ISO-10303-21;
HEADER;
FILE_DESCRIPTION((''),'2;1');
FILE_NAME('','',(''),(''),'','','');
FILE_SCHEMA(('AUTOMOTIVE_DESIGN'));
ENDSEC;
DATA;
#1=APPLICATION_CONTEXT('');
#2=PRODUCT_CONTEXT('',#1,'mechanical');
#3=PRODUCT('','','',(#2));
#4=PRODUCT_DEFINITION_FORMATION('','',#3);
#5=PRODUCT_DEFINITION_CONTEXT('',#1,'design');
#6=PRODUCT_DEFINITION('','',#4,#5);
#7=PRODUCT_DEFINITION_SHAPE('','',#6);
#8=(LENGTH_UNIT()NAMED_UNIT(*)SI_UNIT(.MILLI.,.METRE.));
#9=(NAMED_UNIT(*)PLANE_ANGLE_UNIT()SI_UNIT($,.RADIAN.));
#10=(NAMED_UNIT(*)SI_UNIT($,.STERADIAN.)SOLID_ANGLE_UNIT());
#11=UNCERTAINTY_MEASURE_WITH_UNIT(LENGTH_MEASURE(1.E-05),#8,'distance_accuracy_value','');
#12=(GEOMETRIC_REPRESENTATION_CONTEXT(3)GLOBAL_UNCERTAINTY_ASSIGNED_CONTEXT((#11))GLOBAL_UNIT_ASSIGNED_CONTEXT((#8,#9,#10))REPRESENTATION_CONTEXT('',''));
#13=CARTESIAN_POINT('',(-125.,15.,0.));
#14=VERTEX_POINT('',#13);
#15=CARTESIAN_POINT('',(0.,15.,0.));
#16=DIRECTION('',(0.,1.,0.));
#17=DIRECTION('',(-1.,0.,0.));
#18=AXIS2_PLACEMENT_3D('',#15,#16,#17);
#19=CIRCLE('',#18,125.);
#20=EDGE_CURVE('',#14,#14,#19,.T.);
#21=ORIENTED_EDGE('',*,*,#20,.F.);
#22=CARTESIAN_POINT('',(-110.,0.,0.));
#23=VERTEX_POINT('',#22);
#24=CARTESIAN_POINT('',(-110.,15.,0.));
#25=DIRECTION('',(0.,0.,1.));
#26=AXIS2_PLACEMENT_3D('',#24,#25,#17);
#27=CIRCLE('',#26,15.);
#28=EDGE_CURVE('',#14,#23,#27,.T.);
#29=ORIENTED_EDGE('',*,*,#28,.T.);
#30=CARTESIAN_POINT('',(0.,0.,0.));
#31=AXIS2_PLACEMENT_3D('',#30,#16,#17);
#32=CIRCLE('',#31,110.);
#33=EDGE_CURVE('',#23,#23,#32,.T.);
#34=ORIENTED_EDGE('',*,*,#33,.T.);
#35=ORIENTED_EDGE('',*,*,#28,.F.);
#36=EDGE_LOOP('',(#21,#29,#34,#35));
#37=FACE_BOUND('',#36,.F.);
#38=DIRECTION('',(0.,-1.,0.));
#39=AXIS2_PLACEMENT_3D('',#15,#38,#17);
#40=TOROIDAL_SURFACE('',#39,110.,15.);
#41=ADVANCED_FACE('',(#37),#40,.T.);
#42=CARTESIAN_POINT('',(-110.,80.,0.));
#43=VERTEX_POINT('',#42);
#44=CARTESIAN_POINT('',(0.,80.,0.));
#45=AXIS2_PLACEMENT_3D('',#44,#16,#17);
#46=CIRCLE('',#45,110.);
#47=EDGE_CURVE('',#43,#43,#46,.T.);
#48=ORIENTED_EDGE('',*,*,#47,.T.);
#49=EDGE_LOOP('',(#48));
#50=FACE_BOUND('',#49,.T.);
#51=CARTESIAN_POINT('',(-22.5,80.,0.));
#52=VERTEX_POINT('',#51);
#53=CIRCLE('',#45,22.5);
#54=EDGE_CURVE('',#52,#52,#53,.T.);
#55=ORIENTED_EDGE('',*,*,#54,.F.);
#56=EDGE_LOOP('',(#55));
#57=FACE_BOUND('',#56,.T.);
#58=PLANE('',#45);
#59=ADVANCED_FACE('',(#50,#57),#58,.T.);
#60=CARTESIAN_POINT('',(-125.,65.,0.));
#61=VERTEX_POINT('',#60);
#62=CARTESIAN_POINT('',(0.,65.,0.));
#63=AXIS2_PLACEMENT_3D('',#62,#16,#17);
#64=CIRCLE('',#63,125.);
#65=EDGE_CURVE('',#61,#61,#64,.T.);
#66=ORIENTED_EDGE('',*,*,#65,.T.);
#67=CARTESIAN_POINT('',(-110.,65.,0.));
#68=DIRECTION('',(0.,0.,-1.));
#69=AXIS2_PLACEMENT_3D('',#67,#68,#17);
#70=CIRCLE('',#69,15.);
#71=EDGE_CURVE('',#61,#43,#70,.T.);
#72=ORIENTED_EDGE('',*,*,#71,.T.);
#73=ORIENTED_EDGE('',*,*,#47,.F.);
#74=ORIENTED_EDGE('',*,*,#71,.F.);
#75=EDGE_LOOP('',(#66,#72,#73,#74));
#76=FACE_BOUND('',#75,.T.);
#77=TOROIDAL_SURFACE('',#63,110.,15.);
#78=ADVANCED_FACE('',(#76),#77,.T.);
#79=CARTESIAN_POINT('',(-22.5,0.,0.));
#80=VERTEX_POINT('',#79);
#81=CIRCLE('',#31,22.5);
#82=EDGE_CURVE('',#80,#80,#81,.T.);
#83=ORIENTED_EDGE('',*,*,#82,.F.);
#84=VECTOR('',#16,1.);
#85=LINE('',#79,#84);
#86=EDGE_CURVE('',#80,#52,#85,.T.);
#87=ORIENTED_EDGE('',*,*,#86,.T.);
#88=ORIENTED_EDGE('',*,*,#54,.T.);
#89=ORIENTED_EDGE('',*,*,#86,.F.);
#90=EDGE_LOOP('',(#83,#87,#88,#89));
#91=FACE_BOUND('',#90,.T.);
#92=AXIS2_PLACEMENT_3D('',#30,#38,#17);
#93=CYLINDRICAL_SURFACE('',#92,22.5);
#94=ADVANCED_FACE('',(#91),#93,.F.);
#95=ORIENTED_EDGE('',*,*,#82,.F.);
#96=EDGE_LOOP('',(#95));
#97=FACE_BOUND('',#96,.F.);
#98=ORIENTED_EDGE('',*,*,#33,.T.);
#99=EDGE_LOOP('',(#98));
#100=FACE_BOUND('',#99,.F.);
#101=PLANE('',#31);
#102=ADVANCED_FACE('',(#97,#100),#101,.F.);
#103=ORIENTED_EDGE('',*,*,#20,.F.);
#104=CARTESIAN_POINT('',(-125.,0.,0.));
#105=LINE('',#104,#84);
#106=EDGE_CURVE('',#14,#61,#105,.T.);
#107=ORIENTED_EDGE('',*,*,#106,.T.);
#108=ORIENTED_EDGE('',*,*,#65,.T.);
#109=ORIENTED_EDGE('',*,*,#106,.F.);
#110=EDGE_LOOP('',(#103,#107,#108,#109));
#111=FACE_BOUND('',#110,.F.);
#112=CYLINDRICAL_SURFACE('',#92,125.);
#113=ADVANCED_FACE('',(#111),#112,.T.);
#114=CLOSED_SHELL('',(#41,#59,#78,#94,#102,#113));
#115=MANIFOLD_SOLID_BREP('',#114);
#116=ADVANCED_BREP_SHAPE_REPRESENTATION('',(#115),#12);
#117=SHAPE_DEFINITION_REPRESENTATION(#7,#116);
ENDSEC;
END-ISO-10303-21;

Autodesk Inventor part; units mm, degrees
ref_plane "YZ Plane" through (0, 0, 0) normal (1, 0, 0) x (0, 1, 0)
ref_plane "XZ Plane" through (0, 0, 0) normal (0, 1, 0) x (-1, 0, 0)
ref_plane "XY Plane" through (0, 0, 0) normal (0, 0, 1) x (1, 0, 0)
sketch "Sketch1" plane through (0, 0, 0) normal (0, 1, 0) x (-1, 0, 0)
  circle A0 centre (0, 0) radius 125
  circle A1 centre (0, 0) radius 22.5
  dimension "d0" = 250
  dimension "d6" = 45
extrude "Extrusion1" add sketch "Sketch1" along normal blind 80
fillet "Fillet1" radius 15 2 edges at (125, 80, 0) (125, 0, 0)
properties part number "Wheels"
